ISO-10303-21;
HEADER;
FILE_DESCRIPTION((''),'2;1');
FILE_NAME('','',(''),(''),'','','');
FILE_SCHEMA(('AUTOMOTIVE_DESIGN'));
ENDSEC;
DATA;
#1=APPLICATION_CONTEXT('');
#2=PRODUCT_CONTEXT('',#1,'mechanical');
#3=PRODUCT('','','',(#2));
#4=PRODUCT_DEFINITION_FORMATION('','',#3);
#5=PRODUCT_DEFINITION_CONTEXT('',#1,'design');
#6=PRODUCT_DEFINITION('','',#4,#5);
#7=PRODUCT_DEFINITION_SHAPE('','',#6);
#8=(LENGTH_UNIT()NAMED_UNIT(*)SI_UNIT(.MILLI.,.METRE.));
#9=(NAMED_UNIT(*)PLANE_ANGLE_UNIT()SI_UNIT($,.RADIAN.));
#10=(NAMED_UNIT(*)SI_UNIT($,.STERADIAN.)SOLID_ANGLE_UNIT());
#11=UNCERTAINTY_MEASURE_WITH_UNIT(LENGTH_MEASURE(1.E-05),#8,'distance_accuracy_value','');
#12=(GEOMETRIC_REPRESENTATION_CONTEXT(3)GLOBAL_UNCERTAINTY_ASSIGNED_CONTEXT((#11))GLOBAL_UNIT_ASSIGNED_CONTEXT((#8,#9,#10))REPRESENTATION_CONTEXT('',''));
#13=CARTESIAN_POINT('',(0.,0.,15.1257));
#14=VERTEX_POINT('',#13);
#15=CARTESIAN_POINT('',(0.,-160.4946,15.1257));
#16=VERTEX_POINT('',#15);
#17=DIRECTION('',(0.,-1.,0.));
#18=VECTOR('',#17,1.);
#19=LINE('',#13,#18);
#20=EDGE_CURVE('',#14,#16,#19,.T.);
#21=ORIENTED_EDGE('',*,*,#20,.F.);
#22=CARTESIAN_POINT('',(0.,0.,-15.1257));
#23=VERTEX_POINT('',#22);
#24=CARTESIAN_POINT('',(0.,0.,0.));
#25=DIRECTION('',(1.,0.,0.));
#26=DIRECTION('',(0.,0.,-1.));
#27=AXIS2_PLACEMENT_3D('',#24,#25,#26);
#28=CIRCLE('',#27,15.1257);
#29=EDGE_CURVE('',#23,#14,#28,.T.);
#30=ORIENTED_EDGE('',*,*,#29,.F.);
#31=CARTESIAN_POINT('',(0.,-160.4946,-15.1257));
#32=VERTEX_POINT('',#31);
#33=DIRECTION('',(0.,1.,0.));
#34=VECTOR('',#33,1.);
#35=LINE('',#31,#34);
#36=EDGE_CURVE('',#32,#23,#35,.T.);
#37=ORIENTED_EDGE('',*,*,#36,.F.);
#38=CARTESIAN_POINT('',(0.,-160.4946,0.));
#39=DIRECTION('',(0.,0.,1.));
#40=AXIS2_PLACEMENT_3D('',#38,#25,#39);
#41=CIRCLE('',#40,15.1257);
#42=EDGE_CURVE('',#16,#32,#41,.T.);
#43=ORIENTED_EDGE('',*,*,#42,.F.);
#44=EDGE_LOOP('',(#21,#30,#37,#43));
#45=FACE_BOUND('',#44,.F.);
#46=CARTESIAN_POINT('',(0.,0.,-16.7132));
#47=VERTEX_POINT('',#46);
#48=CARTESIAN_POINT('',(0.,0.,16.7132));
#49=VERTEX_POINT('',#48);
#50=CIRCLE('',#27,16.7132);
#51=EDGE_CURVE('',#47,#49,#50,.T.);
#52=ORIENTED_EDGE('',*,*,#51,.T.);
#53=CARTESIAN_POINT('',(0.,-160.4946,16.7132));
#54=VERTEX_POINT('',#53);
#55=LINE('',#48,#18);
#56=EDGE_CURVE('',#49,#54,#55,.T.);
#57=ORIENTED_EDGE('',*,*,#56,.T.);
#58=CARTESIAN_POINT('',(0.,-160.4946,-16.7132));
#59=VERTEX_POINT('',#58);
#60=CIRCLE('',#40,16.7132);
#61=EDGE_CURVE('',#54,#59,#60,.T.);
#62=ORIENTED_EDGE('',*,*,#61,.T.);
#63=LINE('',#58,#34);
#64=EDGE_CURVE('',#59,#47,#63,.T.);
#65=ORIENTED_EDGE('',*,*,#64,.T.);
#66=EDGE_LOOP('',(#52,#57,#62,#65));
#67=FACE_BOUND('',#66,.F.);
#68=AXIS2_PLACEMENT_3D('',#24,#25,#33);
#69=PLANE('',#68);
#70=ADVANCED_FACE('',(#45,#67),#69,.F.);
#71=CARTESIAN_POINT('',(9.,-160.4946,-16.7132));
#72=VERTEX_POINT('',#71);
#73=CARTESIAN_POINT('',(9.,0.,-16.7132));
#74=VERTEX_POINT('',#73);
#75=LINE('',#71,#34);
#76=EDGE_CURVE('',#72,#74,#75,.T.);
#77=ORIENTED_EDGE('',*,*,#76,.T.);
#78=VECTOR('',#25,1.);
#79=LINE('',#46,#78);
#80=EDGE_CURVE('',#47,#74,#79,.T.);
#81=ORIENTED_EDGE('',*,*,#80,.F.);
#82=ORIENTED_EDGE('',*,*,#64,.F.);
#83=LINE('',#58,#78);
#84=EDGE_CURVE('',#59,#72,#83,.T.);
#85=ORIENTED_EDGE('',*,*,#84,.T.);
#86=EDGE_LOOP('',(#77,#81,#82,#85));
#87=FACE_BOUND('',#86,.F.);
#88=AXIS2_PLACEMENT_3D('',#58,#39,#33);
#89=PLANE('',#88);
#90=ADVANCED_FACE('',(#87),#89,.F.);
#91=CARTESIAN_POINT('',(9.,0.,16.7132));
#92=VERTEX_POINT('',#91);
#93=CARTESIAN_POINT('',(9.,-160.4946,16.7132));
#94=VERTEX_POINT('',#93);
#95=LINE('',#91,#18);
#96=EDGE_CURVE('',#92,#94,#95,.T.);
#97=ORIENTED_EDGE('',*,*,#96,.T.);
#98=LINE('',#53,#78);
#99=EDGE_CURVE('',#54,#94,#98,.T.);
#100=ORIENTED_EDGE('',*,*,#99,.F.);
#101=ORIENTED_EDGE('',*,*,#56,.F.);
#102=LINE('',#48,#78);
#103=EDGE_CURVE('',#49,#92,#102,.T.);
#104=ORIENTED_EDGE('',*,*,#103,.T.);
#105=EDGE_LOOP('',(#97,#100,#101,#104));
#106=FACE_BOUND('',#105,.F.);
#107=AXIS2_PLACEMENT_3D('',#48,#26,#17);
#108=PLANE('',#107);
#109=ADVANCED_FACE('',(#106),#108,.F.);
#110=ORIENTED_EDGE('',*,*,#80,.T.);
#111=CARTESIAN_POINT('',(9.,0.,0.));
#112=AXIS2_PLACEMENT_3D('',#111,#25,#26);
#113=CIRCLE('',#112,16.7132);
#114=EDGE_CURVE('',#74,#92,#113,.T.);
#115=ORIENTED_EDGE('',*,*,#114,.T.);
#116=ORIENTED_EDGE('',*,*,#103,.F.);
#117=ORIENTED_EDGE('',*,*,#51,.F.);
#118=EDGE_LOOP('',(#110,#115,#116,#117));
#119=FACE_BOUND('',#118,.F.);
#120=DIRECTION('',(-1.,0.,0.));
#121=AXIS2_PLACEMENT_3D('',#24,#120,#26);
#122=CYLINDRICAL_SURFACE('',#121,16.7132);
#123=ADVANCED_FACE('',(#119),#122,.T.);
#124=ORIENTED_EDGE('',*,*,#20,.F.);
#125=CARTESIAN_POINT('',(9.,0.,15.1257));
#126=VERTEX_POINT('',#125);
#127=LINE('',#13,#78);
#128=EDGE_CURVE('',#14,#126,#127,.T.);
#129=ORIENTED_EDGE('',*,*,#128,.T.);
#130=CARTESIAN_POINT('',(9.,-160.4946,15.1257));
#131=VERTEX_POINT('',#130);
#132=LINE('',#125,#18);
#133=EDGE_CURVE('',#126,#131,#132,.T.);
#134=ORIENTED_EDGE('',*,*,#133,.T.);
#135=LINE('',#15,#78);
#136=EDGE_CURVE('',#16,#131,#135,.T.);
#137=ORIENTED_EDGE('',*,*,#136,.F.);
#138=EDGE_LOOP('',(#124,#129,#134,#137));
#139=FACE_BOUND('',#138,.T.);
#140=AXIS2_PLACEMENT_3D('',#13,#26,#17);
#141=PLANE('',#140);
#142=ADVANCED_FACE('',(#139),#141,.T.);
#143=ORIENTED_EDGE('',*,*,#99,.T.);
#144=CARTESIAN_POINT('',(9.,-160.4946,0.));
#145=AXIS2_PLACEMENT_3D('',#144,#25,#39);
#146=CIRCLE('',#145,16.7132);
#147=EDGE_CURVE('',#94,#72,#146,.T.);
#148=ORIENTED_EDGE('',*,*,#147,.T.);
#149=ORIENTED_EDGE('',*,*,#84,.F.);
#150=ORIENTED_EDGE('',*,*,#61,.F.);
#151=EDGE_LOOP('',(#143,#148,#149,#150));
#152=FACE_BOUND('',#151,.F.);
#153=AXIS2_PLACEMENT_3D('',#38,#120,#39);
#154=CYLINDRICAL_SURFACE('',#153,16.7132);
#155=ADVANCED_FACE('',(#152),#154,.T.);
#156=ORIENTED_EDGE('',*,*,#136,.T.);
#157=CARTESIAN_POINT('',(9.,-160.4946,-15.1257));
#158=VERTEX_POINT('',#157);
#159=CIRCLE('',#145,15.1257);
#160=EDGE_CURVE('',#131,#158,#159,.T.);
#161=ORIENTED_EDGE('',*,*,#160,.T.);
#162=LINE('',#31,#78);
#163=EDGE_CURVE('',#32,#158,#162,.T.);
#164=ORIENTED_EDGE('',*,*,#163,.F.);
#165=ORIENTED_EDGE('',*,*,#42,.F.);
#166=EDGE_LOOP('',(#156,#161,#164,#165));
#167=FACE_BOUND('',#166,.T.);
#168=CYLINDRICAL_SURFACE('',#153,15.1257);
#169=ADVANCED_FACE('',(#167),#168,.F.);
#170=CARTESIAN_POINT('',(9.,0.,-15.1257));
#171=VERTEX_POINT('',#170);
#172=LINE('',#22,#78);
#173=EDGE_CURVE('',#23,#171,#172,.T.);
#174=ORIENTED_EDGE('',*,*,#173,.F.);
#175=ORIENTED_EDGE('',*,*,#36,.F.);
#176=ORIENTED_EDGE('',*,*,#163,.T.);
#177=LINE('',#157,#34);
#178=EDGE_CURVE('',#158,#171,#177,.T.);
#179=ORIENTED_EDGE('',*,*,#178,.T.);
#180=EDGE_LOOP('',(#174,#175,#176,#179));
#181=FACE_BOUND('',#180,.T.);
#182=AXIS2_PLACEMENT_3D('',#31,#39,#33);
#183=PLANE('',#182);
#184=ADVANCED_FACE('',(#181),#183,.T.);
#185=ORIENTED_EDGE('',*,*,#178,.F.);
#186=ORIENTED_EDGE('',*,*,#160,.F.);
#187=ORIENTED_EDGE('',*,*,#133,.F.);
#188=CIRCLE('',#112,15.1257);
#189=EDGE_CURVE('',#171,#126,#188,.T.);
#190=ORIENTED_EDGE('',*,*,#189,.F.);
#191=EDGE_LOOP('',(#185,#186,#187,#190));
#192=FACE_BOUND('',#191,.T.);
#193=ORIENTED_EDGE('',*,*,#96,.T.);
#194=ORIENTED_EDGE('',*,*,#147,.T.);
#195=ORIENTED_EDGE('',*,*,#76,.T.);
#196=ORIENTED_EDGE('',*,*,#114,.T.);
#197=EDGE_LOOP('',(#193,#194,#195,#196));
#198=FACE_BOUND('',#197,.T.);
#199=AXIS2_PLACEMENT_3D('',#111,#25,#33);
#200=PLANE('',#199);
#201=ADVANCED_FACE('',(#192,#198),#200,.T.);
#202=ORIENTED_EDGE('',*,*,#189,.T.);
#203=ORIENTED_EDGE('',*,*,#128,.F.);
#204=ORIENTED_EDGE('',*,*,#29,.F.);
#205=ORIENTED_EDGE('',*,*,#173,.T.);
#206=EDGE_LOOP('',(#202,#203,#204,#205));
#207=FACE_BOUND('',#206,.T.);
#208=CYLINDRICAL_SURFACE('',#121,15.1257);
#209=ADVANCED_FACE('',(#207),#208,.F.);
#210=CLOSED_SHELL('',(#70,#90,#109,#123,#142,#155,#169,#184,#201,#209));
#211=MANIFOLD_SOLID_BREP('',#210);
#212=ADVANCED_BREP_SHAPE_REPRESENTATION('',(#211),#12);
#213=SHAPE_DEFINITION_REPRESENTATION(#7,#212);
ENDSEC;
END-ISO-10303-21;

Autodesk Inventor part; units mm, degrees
ref_plane "YZ Plane" through (0, 0, 0) normal (1, 0, 0) x (0, 1, 0)
ref_plane "XZ Plane" through (0, 0, 0) normal (0, 1, 0) x (-1, 0, 0)
ref_plane "XY Plane" through (0, 0, 0) normal (0, 0, 1) x (1, 0, 0)
sketch "Sketch1" plane through (0, 0, 0) normal (1, 0, 0) x (0, 1, 0)
  arc A0 (0, -16.7132) -> (0, 16.7132) centre (0, 0) ccw
  arc A1 (-160.4946, 16.7132) -> (-160.4946, -16.7132) centre (-160.4946, 0) ccw
  line L0 (0, 16.7132) -> (-160.4946, 16.7132)
  line L1 (-160.4946, -16.7132) -> (0, -16.7132)
  arc A2 (-160.4946, 15.1257) -> (-160.4946, -15.1257) centre (-160.4946, 0) ccw
  line L2 (-160.4946, -15.1257) -> (0, -15.1257)
  arc A3 (0, -15.1257) -> (0, 15.1257) centre (0, 0) ccw
  line L3 (0, 15.1257) -> (-160.4946, 15.1257)
  dimension "d0" = 16.7132
  dimension "d1" = 160.4946
  dimension "d5" = 1.5875
extrude "Extrusion1" add sketch "Sketch1" along normal blind 9
properties part number "STANDIN,BELT,100T,HTD5mm" material "Nylon 6/6"
